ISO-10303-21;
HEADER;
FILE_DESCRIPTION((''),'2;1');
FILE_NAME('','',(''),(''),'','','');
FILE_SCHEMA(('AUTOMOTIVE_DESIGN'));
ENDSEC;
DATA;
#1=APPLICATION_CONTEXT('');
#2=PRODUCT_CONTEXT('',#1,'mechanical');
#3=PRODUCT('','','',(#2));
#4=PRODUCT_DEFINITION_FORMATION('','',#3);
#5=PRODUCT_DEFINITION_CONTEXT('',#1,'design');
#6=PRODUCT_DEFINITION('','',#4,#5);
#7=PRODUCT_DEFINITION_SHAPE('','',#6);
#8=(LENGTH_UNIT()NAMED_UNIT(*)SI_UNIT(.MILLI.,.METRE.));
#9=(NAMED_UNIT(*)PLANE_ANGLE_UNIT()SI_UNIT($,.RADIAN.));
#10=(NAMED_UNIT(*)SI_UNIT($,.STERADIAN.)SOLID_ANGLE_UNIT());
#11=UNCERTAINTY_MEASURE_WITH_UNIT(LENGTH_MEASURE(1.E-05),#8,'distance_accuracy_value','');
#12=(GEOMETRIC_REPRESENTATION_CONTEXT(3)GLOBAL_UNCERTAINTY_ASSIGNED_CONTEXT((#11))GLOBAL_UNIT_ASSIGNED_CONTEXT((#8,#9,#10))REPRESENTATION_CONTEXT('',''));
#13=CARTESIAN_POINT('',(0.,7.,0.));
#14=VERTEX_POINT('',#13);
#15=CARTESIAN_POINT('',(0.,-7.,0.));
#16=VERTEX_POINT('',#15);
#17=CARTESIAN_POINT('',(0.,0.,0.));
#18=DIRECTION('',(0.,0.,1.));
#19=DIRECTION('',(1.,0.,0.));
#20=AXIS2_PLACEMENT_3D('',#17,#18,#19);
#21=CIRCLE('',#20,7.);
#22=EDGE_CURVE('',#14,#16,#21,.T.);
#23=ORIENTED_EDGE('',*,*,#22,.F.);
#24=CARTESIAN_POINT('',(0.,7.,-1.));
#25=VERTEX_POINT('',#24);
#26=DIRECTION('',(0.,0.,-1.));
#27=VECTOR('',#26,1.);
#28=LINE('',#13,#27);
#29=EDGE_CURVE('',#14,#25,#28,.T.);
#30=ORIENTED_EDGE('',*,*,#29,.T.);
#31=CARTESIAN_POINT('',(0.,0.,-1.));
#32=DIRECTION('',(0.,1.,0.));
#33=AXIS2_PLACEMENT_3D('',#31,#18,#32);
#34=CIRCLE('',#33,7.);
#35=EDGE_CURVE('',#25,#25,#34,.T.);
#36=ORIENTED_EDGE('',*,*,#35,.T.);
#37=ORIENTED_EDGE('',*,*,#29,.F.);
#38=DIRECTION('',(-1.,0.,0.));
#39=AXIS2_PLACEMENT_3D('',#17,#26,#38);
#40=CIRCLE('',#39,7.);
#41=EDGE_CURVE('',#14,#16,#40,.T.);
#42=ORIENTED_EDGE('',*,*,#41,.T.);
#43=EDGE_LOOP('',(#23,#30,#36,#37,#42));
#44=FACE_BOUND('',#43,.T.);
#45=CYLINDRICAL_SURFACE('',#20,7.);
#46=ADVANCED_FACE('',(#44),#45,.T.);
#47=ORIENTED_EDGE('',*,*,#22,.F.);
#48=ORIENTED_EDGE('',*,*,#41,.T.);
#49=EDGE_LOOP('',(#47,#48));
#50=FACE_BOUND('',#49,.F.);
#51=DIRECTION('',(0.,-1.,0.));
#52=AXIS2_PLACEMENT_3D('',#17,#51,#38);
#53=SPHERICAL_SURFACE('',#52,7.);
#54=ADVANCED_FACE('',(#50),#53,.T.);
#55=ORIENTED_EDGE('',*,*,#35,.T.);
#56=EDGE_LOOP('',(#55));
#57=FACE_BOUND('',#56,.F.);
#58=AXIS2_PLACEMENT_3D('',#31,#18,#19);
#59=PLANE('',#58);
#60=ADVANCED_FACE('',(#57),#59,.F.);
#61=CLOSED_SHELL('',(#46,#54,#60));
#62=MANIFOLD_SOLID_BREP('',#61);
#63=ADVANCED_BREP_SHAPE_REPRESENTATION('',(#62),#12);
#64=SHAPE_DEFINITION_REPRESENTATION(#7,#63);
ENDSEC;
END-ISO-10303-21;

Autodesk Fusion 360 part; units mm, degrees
sketch "Esquisse1" plane through (0, 0, 0) normal (0, 0, 1) x (1, 0, 0)
  circle A0 centre (0, 0) radius 7
  line L0 (0, 0) -> (0, 7)
  line L1 (0, 0) -> (0, -7)
  dimension "d1" = 14
revolve "Révolution1" add sketch "Esquisse1" angle 180 about axis through (0, 0, 0) along (0, 1, 0) contours A0 L0 L1 picked at (-0.3478, -4.6406)
extrude "Extrusion1" add 2 faces at (-0.3478, -4.6406, 0) (0.3478, -4.6406, 0) along direction (0, 0, -1) blind 1
